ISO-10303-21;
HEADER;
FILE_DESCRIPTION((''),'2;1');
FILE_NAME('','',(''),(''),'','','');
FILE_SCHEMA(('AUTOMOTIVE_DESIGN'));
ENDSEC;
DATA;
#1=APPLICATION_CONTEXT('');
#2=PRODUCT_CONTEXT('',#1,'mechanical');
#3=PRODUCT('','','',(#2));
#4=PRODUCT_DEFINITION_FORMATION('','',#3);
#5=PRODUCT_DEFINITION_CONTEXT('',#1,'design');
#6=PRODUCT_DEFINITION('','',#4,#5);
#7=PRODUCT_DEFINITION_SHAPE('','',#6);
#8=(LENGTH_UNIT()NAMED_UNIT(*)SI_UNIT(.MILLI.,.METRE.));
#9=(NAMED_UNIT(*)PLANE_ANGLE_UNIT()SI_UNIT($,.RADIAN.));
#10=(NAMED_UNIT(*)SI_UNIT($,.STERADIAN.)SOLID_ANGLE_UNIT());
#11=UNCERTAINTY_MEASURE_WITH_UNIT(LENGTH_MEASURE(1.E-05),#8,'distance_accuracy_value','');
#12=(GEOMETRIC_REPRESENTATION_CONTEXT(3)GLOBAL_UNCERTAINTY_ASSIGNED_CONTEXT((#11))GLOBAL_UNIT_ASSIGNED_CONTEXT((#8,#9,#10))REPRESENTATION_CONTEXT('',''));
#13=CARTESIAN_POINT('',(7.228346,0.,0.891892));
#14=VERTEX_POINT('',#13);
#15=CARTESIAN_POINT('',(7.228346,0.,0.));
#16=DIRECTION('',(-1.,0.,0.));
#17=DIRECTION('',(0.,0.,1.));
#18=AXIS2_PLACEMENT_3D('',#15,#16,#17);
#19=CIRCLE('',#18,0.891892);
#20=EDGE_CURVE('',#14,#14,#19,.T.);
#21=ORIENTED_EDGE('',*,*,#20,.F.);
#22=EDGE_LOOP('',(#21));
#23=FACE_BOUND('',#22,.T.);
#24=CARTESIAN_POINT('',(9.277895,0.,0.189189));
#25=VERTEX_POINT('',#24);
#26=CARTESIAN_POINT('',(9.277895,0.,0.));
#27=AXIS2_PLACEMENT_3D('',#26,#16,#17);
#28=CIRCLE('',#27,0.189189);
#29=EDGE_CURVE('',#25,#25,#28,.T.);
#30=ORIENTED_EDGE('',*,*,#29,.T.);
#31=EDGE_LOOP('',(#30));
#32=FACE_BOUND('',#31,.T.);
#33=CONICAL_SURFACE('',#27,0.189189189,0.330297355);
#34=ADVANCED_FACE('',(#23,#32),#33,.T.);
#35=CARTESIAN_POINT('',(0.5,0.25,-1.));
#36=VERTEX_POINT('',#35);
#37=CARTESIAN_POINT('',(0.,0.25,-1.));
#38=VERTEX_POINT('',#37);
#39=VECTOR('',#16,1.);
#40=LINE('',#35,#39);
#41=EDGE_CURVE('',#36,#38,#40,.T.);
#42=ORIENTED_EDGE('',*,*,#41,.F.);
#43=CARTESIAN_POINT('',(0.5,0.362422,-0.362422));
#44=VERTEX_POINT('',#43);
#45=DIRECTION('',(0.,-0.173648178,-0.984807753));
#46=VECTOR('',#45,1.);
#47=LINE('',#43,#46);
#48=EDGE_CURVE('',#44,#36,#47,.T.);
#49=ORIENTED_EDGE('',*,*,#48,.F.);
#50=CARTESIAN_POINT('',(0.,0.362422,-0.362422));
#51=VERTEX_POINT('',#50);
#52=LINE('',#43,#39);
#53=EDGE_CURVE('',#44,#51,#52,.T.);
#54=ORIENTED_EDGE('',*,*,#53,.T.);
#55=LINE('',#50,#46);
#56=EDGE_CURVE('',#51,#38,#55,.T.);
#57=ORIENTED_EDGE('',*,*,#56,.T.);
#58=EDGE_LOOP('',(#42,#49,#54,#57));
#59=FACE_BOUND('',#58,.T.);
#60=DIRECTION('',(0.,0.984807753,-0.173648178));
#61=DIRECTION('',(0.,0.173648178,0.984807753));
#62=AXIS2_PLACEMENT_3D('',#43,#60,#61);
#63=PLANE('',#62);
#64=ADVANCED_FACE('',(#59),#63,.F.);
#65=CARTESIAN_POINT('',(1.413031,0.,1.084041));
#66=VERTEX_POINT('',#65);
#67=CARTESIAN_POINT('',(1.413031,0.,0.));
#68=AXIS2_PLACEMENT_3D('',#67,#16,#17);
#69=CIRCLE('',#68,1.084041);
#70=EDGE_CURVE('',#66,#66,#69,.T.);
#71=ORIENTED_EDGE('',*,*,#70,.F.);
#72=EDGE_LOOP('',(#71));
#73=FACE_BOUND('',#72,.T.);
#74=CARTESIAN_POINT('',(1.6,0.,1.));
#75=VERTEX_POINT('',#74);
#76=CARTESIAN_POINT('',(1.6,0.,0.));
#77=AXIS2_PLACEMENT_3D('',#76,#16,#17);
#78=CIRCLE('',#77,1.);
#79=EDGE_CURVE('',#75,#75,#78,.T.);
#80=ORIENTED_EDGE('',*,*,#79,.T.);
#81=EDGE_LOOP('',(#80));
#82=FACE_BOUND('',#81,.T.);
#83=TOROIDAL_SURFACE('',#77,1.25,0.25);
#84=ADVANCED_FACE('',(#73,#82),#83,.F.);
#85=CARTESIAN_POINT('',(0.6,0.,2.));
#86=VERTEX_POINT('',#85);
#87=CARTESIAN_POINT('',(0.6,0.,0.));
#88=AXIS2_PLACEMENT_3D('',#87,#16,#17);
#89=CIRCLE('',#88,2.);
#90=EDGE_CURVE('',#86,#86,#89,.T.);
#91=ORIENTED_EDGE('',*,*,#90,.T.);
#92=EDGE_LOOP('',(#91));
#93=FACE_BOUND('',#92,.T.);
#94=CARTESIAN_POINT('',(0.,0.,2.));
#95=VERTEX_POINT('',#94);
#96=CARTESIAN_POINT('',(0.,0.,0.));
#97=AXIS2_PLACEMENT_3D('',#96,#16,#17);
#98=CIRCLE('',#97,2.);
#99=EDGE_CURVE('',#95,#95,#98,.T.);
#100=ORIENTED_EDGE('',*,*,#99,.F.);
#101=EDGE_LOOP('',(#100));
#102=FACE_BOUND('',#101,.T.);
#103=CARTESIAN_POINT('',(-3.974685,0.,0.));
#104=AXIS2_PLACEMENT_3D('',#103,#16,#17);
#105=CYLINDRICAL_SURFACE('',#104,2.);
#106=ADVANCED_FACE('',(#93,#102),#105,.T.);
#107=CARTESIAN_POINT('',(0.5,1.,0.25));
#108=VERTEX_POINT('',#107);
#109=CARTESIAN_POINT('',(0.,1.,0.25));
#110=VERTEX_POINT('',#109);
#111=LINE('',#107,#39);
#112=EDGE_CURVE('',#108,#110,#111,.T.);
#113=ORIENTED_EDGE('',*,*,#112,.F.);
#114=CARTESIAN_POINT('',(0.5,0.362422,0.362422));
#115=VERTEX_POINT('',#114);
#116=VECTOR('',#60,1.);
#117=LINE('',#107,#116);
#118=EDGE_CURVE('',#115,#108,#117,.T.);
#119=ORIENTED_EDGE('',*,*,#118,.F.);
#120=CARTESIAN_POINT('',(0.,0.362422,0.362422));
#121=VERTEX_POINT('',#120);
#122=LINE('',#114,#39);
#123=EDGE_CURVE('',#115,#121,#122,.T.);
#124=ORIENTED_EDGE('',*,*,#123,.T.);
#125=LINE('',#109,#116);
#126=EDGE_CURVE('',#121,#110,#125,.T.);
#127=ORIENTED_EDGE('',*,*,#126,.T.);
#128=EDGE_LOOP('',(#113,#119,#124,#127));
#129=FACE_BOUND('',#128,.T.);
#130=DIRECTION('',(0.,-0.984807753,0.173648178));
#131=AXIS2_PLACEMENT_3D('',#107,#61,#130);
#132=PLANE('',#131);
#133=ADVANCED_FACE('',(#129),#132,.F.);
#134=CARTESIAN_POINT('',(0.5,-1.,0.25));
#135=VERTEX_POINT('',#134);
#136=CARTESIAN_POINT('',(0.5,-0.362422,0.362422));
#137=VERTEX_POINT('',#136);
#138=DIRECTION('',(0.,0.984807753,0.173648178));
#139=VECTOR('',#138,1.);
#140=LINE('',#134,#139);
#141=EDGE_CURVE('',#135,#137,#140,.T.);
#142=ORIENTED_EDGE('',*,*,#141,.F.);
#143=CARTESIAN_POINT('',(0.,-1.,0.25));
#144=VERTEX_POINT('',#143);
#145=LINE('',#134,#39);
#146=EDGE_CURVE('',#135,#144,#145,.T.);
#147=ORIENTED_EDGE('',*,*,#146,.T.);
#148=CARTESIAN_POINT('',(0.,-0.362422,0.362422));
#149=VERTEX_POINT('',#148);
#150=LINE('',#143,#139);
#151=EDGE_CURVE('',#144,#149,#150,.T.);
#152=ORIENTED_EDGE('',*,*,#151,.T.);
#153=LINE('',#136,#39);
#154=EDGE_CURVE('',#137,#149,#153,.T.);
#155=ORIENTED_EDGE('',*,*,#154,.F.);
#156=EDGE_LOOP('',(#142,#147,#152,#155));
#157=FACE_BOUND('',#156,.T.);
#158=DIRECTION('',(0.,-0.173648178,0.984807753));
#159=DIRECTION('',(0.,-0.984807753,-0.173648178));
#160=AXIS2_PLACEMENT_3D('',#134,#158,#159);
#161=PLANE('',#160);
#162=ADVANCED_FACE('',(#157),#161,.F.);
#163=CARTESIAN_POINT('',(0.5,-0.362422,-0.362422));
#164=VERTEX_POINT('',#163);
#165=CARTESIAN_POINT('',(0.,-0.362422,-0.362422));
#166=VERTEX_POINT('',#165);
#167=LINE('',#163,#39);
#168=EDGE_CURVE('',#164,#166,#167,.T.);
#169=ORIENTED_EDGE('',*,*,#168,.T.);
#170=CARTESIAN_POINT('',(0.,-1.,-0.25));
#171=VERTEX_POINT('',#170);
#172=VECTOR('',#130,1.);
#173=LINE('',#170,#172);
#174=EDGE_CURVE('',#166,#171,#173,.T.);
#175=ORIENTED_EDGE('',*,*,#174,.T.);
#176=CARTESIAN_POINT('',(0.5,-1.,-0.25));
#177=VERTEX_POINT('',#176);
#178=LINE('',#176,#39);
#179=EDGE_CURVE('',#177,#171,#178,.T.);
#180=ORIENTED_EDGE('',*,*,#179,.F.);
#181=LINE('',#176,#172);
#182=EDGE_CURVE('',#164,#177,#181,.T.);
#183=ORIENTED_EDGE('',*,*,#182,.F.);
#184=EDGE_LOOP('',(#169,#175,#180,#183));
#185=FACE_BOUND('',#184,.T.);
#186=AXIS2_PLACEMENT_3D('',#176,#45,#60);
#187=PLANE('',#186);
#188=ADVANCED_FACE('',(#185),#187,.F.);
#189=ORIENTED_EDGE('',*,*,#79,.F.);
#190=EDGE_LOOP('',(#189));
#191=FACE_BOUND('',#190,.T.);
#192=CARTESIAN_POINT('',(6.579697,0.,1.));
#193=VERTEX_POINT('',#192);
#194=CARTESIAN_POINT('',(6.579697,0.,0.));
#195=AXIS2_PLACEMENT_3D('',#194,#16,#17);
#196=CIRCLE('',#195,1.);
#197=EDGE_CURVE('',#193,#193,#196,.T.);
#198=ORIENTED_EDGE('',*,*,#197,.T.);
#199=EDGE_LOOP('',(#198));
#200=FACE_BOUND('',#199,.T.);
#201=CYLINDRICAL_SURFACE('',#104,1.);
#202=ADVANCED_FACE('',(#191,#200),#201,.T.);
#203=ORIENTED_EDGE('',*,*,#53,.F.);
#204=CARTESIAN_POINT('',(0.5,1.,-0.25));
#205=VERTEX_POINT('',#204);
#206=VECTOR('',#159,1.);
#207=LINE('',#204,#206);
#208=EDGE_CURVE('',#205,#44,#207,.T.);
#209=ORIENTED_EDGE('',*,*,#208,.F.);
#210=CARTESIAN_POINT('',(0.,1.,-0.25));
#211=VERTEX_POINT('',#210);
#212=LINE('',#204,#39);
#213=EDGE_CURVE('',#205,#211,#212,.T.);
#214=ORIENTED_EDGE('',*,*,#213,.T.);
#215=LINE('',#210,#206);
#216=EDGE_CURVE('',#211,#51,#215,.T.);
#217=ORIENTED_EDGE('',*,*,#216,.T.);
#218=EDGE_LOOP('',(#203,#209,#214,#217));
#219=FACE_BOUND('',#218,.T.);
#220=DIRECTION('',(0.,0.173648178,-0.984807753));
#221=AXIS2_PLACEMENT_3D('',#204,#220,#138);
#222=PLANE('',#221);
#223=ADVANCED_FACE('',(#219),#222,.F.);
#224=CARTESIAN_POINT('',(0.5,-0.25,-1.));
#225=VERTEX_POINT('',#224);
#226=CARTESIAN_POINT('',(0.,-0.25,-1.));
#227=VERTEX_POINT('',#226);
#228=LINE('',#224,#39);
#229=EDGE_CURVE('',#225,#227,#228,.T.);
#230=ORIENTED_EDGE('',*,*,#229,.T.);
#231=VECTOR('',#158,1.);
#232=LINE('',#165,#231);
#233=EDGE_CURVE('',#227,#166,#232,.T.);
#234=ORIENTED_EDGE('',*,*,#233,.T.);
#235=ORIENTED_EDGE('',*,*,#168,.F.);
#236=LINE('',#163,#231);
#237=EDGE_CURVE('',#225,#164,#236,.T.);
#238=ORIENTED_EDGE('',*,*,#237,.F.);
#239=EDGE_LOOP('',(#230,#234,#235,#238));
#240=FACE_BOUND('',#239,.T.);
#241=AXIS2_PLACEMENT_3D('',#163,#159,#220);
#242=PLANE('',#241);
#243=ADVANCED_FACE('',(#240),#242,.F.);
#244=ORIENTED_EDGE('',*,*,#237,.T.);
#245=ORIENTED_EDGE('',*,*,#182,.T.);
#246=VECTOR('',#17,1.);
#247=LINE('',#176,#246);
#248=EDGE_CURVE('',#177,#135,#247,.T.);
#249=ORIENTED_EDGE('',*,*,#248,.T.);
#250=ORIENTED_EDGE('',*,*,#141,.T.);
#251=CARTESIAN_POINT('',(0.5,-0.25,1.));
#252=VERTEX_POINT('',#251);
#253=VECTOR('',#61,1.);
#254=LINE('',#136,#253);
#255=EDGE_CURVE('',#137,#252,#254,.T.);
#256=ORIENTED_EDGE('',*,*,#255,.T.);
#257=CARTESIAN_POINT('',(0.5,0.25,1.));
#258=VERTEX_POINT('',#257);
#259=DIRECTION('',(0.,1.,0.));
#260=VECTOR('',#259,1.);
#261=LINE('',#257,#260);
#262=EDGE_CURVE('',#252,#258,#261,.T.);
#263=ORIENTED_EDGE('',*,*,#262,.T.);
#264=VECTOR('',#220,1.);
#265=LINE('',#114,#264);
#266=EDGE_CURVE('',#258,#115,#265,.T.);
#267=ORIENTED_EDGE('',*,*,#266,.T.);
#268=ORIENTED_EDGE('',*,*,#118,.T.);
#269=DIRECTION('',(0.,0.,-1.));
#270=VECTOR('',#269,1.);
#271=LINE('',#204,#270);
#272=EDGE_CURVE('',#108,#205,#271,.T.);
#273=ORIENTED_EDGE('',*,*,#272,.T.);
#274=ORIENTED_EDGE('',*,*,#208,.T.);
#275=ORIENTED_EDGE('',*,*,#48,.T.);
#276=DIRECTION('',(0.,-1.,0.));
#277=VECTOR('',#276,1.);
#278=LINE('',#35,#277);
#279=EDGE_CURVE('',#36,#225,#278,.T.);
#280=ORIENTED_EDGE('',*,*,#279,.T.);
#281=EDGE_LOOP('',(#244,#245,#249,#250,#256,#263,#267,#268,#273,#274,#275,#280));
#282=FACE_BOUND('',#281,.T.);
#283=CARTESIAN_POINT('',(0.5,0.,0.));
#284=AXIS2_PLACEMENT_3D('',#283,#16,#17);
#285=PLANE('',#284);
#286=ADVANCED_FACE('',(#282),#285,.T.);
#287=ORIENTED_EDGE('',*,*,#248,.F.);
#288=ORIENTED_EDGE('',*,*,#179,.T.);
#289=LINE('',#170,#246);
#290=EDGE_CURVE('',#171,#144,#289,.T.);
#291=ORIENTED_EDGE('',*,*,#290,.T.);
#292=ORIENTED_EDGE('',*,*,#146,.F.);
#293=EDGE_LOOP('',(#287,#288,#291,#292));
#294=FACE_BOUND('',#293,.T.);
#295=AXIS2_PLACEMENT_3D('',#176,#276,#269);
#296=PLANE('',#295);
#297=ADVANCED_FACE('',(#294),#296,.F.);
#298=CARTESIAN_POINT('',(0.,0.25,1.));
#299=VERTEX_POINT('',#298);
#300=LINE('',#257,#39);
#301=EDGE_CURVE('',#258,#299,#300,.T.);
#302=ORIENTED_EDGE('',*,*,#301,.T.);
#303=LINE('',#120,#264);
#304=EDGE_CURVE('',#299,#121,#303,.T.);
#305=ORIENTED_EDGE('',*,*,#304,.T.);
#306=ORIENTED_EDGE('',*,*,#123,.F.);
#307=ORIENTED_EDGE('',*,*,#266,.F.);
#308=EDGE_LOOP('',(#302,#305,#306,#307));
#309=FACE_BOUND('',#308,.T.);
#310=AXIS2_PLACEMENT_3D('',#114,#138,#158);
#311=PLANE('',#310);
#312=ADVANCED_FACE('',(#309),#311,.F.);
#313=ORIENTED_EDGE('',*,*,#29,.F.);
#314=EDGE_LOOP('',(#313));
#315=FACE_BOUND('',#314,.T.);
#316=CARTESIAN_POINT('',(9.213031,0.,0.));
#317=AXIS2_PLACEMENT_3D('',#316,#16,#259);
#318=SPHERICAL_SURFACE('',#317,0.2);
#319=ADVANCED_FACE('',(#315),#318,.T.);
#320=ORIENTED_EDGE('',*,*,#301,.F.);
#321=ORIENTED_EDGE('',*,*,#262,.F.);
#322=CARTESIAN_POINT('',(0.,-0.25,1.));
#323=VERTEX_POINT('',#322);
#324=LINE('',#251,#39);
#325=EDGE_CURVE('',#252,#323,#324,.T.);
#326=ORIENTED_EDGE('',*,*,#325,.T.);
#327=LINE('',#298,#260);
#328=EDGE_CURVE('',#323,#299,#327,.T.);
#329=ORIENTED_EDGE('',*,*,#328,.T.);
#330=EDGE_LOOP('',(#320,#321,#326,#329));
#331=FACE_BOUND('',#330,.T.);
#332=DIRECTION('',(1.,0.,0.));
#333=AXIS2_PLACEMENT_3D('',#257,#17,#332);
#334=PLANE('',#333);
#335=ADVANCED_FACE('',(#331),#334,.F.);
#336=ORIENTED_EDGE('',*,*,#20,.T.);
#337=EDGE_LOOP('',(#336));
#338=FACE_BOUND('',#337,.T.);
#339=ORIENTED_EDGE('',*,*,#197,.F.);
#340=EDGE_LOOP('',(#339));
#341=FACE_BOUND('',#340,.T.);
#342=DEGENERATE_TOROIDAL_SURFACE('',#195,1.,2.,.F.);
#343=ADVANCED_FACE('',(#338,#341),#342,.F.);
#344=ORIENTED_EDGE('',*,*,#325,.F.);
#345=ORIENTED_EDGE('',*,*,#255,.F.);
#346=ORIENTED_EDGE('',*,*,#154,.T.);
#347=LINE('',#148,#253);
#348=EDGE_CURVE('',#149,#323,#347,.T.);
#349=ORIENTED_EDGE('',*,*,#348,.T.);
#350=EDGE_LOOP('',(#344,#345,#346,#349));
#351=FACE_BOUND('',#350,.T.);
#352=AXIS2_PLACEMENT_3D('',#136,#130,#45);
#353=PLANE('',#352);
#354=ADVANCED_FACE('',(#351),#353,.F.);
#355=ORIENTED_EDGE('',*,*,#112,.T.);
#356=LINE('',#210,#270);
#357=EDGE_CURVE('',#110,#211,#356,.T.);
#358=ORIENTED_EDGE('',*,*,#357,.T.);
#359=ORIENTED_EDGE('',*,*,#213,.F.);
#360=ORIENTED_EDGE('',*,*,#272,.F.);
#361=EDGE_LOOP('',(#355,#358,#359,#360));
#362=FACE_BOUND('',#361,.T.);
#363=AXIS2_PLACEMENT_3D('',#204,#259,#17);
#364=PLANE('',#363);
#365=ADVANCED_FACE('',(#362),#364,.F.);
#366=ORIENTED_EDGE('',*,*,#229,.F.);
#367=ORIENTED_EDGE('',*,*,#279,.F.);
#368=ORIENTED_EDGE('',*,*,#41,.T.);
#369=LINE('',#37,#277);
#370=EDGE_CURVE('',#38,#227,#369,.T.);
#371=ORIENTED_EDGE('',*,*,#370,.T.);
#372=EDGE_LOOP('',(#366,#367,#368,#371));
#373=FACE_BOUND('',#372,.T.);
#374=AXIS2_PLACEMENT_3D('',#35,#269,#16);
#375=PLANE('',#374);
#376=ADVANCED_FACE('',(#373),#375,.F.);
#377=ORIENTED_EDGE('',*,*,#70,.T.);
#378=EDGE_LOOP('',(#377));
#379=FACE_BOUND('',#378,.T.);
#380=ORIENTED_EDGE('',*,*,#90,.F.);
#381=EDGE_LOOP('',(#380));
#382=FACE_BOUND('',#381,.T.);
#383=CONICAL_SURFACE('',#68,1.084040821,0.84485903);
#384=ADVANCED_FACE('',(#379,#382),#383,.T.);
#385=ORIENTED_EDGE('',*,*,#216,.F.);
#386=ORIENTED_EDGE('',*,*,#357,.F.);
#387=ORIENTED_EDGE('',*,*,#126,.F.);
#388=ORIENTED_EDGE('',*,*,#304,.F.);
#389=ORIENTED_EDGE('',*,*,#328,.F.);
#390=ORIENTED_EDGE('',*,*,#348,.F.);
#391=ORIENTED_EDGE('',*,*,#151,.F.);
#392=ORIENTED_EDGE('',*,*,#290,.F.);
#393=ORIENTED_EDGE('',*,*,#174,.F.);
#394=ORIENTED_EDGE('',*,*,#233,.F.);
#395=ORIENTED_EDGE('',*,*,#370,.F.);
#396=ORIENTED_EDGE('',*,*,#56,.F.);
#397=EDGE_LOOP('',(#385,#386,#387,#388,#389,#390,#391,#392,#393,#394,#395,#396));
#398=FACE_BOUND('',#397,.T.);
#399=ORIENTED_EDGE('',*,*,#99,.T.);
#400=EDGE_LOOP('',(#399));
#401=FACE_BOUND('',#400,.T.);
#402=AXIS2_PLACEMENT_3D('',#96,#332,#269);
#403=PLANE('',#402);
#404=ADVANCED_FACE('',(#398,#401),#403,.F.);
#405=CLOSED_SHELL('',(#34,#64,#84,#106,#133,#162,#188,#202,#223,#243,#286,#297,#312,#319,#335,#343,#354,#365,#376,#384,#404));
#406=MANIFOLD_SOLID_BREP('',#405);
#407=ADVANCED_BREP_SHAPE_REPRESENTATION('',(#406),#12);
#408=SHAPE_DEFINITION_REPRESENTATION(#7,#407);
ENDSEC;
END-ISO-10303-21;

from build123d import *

# Parameters (mm, degrees)
CUT_EXTRUDE1_DEPTH = 0.5


with BuildPart() as part:
    # Sketch1 → Revolve1 (revolve)
    with BuildSketch(Plane.XY):
        with BuildLine():
            Line((0, 0), (0, 2))
            Line((0, 2), (0.6, 2))
            Line((0.6, 2), (1.413030615, 1.084040821))
            ThreePointArc((1.413030615, 1.084040821), (1.497505597, 1.021976103), (1.6, 1))
            Line((1.6, 1), (6.579697282, 1))
            ThreePointArc((6.579697282, 1), (6.908495257, 0.972787848), (7.228345931, 0.891891892))
            Line((7.228345931, 0.891891892), (9.27789548, 0.189189189))
            ThreePointArc((9.27789548, 0.189189189), (9.37577731, 0.116247639), (9.413030615, 0))
            Line((9.413030615, 0), (0, 0))
        make_face()
    revolve(axis=Axis((-3.974685283, 0, 0), (1, 0, 0)))

    # Sketch2 → Cut-Extrude1 (cut)
    with BuildSketch(Plane.ZY):
        Polygon((-0.25, 1), (0.25, 1), (0.362422173, 0.362422173), (1, 0.25), (1, -0.25), (0.362422173, -0.362422173), (0.25, -1), (-0.25, -1), (-0.362422173, -0.362422173), (-1, -0.25), (-1, 0.25), (-0.362422173, 0.362422173), align=None)
    extrude(amount=-CUT_EXTRUDE1_DEPTH, mode=Mode.SUBTRACT)


solid = part.part
